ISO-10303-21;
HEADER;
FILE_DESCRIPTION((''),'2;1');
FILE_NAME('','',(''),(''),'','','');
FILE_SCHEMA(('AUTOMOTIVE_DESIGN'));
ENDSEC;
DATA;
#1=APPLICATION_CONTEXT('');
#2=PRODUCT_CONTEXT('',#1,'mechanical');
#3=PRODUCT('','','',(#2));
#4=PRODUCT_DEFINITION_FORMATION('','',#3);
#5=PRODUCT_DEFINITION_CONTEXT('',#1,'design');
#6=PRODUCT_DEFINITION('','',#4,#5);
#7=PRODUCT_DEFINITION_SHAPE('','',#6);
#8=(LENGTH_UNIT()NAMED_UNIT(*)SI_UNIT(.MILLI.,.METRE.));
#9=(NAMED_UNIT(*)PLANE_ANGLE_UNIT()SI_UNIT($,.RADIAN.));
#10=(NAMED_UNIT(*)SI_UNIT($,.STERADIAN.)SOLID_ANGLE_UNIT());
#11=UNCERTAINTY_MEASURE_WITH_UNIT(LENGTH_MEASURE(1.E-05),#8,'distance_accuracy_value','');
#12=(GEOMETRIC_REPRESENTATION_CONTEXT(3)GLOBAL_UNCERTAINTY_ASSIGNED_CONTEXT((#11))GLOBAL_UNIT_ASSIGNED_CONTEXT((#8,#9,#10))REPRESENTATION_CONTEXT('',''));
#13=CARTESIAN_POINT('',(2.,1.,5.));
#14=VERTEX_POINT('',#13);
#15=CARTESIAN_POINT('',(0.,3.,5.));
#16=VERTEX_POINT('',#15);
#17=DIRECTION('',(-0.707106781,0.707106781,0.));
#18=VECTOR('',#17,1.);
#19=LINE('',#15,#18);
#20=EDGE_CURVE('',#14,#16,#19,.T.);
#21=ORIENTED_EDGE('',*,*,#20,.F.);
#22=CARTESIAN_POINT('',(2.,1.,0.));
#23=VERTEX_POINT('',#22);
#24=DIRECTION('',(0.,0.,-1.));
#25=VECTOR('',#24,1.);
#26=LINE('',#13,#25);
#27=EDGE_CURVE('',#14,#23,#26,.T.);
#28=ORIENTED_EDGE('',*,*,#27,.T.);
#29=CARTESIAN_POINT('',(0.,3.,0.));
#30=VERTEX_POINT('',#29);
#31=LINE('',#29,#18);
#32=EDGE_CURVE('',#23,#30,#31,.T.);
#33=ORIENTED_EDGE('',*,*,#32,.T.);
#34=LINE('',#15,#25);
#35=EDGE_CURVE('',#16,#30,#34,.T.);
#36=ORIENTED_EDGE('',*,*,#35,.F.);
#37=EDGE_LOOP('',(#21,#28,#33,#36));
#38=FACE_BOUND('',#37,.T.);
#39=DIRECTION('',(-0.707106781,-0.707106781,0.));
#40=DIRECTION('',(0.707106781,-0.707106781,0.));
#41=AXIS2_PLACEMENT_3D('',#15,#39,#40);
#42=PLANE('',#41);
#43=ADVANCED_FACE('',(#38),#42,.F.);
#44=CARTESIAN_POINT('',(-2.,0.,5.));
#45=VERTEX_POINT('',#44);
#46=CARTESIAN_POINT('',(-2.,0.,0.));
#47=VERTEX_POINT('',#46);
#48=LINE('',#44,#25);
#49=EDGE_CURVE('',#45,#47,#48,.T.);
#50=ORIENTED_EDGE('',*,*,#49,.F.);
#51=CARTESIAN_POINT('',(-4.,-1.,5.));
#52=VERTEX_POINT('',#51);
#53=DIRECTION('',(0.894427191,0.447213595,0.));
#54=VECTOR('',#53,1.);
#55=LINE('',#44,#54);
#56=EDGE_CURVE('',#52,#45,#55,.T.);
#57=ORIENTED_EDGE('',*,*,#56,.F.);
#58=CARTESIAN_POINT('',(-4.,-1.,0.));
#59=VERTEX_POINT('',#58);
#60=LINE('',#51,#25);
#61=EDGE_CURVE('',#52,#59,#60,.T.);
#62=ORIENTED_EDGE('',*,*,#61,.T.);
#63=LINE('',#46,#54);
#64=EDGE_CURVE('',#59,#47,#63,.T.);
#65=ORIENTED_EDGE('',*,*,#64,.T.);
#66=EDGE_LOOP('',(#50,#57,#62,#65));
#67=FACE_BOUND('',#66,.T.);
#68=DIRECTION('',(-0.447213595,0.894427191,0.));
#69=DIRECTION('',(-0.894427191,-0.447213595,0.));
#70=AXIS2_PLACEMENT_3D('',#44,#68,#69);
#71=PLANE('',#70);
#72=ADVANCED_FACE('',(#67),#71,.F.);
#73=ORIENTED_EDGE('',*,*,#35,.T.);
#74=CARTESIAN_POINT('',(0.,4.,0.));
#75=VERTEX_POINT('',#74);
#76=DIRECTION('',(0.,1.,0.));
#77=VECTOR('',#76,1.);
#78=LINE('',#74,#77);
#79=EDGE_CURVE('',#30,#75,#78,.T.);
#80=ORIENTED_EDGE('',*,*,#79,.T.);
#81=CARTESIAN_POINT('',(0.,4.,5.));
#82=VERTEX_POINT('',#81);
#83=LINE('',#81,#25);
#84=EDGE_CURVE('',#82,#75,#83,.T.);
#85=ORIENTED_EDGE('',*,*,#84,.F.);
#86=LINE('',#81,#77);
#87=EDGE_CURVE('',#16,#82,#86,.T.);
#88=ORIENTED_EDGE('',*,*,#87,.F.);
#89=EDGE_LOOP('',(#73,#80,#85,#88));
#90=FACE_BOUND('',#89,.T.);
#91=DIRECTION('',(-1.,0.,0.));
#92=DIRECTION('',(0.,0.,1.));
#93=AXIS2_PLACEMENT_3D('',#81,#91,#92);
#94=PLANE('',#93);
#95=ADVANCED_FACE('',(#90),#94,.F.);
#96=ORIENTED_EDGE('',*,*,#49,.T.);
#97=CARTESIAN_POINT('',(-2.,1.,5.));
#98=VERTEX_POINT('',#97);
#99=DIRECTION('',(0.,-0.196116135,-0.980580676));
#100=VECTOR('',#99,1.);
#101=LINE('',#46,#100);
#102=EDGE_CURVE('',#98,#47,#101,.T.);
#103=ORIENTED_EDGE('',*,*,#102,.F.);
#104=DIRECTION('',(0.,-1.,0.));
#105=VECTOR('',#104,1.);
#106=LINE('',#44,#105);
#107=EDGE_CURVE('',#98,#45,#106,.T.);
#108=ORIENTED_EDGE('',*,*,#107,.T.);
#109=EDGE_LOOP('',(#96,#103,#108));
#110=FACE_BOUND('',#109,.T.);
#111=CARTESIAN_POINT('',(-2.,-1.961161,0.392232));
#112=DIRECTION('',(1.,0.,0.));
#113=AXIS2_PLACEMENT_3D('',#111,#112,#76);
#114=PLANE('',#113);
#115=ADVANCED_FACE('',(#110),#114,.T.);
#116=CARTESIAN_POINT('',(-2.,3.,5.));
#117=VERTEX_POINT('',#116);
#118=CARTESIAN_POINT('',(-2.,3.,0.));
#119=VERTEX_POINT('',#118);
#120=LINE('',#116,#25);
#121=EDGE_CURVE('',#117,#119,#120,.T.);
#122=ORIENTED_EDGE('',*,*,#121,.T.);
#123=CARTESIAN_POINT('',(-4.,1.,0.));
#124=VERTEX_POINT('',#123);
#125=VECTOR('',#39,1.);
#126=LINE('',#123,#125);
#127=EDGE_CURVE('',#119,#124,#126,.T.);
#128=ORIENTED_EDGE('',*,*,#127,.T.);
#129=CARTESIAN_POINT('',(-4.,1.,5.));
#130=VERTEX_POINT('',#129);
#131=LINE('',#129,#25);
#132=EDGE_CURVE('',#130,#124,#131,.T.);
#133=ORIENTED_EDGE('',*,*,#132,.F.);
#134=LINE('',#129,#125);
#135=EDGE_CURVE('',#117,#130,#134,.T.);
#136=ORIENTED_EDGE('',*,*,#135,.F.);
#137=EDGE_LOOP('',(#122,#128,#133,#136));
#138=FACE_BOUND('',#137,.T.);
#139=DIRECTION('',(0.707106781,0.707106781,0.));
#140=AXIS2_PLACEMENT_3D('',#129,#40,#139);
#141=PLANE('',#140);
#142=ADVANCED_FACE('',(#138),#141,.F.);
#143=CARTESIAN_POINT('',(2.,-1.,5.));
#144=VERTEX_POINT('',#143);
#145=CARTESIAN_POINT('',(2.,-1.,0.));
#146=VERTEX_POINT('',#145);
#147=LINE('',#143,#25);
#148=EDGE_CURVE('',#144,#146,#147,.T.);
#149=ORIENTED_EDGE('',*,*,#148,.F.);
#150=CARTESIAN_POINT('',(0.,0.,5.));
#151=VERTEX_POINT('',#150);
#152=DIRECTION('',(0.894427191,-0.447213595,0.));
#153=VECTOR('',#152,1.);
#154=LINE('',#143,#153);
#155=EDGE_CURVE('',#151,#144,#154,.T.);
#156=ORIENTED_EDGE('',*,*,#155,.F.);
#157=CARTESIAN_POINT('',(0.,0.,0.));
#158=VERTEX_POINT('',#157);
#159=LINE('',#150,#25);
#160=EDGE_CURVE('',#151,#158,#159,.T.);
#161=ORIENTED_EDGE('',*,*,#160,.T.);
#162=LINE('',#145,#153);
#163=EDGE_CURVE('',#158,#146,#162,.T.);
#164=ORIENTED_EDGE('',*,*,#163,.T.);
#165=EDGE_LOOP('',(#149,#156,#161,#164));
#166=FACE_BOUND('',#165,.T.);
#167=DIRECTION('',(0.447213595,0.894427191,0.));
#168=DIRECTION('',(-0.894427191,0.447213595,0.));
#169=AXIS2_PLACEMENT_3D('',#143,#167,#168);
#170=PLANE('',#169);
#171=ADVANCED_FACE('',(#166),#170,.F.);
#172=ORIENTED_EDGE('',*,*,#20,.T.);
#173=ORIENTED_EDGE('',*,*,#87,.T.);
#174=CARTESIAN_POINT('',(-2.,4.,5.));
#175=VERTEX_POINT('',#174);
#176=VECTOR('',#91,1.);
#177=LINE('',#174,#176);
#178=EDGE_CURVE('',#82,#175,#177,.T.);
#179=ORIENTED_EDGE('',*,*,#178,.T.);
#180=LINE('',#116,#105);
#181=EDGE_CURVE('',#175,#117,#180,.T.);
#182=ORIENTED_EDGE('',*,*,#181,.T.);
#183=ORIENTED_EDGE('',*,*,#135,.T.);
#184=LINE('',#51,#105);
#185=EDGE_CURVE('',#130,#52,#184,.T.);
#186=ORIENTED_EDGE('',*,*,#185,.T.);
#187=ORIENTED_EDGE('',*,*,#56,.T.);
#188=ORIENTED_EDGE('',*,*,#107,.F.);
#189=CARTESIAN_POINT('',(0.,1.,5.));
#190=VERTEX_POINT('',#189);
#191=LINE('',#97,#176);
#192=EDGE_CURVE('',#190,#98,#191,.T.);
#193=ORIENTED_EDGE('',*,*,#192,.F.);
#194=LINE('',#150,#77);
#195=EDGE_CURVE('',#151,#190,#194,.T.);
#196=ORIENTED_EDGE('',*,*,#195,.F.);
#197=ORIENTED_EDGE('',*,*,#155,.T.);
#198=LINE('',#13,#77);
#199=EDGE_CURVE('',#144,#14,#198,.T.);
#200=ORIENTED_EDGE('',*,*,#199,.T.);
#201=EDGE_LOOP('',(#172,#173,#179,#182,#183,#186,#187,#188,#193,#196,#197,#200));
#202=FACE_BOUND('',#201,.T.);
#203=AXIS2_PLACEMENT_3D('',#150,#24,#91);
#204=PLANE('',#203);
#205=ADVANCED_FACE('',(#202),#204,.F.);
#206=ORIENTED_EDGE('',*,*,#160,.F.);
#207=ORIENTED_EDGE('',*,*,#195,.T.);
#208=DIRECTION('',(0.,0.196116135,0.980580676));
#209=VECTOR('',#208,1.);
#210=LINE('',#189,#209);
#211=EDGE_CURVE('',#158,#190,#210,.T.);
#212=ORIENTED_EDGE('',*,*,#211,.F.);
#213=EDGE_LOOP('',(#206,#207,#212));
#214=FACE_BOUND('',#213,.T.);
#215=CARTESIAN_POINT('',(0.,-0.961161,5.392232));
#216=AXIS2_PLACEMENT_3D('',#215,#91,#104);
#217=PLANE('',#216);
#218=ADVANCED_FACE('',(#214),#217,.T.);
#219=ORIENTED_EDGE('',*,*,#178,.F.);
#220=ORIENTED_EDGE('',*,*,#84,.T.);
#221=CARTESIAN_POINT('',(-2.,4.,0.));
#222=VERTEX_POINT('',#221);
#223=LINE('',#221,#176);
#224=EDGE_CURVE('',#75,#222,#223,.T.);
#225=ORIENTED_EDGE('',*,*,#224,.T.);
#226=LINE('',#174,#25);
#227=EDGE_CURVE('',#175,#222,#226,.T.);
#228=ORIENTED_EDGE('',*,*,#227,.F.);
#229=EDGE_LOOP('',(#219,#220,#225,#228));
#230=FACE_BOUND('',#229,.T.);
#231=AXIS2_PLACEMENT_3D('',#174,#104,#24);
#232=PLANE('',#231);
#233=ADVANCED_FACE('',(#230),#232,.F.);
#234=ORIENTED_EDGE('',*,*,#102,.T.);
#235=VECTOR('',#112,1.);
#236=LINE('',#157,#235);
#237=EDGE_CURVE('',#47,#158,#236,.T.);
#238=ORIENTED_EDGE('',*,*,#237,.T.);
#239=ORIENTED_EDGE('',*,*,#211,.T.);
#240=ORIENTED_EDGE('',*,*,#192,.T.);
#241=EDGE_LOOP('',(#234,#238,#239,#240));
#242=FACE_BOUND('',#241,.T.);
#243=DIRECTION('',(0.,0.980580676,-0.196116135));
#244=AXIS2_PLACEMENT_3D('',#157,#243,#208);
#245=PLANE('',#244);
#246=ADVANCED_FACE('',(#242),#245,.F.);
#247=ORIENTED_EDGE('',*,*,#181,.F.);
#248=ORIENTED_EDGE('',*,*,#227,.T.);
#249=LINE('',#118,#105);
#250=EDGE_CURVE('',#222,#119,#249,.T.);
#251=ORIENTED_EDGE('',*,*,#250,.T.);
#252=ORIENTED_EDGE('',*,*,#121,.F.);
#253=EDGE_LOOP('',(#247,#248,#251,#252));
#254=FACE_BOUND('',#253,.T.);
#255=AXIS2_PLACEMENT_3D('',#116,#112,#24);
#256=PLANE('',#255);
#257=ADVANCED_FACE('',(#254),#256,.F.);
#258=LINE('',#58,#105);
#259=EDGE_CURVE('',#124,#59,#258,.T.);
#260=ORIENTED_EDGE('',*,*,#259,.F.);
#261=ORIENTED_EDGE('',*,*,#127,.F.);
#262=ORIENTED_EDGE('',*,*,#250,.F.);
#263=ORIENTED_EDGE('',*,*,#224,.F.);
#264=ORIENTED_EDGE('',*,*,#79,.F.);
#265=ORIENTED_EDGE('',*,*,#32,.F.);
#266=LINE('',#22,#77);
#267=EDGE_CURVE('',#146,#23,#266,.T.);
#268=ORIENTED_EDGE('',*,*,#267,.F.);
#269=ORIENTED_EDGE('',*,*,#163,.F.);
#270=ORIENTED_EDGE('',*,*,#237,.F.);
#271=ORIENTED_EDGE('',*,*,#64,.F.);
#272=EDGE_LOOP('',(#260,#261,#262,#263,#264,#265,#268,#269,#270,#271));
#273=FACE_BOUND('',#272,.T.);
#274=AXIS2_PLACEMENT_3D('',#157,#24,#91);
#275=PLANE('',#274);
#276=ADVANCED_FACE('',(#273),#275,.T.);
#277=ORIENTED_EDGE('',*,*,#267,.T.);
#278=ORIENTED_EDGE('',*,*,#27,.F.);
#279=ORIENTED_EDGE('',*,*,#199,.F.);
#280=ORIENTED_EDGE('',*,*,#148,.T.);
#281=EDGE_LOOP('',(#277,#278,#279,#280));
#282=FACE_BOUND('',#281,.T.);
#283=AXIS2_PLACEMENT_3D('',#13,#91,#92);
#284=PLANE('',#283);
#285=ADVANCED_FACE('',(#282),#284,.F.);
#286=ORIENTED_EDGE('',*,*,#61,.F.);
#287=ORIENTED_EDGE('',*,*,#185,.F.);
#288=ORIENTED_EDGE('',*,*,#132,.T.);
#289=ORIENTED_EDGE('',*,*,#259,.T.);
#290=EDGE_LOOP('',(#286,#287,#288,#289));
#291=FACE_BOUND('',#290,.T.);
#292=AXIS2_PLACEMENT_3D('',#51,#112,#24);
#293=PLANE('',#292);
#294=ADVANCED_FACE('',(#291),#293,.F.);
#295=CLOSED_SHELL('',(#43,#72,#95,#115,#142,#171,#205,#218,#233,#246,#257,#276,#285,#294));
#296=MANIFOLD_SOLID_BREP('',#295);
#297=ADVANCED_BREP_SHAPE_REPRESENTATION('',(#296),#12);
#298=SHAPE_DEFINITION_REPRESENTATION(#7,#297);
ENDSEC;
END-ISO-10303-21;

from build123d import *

# Parameters (mm, degrees)
BOSS_EXTRUDE1_DEPTH = 5
SKETCH3_W           = 2
SKETCH3_H           = 5.099019514
CUT_EXTRUDE3_DEPTH  = 2


with BuildPart() as part:
    # Sketch1 → Boss-Extrude1 (new body)
    with BuildSketch(Plane.XY):
        Polygon((0, 0), (-2, 0), (-4, -1), (-4, 1), (-2, 3), (-2, 4), (0, 4), (0, 3), (2, 1), (2, -1), align=None)
    extrude(amount=BOSS_EXTRUDE1_DEPTH)

    # Sketch3 → Cut-Extrude3 (cut)
    with BuildSketch(Plane(origin=(0, 0, 0), x_dir=(-1, 0, 0), z_dir=(0, -0.980580676, 0.196116135))):
        with Locations((1, -2.549509757)):
            Rectangle(SKETCH3_W, SKETCH3_H)
    extrude(amount=CUT_EXTRUDE3_DEPTH, mode=Mode.SUBTRACT)


solid = part.part
